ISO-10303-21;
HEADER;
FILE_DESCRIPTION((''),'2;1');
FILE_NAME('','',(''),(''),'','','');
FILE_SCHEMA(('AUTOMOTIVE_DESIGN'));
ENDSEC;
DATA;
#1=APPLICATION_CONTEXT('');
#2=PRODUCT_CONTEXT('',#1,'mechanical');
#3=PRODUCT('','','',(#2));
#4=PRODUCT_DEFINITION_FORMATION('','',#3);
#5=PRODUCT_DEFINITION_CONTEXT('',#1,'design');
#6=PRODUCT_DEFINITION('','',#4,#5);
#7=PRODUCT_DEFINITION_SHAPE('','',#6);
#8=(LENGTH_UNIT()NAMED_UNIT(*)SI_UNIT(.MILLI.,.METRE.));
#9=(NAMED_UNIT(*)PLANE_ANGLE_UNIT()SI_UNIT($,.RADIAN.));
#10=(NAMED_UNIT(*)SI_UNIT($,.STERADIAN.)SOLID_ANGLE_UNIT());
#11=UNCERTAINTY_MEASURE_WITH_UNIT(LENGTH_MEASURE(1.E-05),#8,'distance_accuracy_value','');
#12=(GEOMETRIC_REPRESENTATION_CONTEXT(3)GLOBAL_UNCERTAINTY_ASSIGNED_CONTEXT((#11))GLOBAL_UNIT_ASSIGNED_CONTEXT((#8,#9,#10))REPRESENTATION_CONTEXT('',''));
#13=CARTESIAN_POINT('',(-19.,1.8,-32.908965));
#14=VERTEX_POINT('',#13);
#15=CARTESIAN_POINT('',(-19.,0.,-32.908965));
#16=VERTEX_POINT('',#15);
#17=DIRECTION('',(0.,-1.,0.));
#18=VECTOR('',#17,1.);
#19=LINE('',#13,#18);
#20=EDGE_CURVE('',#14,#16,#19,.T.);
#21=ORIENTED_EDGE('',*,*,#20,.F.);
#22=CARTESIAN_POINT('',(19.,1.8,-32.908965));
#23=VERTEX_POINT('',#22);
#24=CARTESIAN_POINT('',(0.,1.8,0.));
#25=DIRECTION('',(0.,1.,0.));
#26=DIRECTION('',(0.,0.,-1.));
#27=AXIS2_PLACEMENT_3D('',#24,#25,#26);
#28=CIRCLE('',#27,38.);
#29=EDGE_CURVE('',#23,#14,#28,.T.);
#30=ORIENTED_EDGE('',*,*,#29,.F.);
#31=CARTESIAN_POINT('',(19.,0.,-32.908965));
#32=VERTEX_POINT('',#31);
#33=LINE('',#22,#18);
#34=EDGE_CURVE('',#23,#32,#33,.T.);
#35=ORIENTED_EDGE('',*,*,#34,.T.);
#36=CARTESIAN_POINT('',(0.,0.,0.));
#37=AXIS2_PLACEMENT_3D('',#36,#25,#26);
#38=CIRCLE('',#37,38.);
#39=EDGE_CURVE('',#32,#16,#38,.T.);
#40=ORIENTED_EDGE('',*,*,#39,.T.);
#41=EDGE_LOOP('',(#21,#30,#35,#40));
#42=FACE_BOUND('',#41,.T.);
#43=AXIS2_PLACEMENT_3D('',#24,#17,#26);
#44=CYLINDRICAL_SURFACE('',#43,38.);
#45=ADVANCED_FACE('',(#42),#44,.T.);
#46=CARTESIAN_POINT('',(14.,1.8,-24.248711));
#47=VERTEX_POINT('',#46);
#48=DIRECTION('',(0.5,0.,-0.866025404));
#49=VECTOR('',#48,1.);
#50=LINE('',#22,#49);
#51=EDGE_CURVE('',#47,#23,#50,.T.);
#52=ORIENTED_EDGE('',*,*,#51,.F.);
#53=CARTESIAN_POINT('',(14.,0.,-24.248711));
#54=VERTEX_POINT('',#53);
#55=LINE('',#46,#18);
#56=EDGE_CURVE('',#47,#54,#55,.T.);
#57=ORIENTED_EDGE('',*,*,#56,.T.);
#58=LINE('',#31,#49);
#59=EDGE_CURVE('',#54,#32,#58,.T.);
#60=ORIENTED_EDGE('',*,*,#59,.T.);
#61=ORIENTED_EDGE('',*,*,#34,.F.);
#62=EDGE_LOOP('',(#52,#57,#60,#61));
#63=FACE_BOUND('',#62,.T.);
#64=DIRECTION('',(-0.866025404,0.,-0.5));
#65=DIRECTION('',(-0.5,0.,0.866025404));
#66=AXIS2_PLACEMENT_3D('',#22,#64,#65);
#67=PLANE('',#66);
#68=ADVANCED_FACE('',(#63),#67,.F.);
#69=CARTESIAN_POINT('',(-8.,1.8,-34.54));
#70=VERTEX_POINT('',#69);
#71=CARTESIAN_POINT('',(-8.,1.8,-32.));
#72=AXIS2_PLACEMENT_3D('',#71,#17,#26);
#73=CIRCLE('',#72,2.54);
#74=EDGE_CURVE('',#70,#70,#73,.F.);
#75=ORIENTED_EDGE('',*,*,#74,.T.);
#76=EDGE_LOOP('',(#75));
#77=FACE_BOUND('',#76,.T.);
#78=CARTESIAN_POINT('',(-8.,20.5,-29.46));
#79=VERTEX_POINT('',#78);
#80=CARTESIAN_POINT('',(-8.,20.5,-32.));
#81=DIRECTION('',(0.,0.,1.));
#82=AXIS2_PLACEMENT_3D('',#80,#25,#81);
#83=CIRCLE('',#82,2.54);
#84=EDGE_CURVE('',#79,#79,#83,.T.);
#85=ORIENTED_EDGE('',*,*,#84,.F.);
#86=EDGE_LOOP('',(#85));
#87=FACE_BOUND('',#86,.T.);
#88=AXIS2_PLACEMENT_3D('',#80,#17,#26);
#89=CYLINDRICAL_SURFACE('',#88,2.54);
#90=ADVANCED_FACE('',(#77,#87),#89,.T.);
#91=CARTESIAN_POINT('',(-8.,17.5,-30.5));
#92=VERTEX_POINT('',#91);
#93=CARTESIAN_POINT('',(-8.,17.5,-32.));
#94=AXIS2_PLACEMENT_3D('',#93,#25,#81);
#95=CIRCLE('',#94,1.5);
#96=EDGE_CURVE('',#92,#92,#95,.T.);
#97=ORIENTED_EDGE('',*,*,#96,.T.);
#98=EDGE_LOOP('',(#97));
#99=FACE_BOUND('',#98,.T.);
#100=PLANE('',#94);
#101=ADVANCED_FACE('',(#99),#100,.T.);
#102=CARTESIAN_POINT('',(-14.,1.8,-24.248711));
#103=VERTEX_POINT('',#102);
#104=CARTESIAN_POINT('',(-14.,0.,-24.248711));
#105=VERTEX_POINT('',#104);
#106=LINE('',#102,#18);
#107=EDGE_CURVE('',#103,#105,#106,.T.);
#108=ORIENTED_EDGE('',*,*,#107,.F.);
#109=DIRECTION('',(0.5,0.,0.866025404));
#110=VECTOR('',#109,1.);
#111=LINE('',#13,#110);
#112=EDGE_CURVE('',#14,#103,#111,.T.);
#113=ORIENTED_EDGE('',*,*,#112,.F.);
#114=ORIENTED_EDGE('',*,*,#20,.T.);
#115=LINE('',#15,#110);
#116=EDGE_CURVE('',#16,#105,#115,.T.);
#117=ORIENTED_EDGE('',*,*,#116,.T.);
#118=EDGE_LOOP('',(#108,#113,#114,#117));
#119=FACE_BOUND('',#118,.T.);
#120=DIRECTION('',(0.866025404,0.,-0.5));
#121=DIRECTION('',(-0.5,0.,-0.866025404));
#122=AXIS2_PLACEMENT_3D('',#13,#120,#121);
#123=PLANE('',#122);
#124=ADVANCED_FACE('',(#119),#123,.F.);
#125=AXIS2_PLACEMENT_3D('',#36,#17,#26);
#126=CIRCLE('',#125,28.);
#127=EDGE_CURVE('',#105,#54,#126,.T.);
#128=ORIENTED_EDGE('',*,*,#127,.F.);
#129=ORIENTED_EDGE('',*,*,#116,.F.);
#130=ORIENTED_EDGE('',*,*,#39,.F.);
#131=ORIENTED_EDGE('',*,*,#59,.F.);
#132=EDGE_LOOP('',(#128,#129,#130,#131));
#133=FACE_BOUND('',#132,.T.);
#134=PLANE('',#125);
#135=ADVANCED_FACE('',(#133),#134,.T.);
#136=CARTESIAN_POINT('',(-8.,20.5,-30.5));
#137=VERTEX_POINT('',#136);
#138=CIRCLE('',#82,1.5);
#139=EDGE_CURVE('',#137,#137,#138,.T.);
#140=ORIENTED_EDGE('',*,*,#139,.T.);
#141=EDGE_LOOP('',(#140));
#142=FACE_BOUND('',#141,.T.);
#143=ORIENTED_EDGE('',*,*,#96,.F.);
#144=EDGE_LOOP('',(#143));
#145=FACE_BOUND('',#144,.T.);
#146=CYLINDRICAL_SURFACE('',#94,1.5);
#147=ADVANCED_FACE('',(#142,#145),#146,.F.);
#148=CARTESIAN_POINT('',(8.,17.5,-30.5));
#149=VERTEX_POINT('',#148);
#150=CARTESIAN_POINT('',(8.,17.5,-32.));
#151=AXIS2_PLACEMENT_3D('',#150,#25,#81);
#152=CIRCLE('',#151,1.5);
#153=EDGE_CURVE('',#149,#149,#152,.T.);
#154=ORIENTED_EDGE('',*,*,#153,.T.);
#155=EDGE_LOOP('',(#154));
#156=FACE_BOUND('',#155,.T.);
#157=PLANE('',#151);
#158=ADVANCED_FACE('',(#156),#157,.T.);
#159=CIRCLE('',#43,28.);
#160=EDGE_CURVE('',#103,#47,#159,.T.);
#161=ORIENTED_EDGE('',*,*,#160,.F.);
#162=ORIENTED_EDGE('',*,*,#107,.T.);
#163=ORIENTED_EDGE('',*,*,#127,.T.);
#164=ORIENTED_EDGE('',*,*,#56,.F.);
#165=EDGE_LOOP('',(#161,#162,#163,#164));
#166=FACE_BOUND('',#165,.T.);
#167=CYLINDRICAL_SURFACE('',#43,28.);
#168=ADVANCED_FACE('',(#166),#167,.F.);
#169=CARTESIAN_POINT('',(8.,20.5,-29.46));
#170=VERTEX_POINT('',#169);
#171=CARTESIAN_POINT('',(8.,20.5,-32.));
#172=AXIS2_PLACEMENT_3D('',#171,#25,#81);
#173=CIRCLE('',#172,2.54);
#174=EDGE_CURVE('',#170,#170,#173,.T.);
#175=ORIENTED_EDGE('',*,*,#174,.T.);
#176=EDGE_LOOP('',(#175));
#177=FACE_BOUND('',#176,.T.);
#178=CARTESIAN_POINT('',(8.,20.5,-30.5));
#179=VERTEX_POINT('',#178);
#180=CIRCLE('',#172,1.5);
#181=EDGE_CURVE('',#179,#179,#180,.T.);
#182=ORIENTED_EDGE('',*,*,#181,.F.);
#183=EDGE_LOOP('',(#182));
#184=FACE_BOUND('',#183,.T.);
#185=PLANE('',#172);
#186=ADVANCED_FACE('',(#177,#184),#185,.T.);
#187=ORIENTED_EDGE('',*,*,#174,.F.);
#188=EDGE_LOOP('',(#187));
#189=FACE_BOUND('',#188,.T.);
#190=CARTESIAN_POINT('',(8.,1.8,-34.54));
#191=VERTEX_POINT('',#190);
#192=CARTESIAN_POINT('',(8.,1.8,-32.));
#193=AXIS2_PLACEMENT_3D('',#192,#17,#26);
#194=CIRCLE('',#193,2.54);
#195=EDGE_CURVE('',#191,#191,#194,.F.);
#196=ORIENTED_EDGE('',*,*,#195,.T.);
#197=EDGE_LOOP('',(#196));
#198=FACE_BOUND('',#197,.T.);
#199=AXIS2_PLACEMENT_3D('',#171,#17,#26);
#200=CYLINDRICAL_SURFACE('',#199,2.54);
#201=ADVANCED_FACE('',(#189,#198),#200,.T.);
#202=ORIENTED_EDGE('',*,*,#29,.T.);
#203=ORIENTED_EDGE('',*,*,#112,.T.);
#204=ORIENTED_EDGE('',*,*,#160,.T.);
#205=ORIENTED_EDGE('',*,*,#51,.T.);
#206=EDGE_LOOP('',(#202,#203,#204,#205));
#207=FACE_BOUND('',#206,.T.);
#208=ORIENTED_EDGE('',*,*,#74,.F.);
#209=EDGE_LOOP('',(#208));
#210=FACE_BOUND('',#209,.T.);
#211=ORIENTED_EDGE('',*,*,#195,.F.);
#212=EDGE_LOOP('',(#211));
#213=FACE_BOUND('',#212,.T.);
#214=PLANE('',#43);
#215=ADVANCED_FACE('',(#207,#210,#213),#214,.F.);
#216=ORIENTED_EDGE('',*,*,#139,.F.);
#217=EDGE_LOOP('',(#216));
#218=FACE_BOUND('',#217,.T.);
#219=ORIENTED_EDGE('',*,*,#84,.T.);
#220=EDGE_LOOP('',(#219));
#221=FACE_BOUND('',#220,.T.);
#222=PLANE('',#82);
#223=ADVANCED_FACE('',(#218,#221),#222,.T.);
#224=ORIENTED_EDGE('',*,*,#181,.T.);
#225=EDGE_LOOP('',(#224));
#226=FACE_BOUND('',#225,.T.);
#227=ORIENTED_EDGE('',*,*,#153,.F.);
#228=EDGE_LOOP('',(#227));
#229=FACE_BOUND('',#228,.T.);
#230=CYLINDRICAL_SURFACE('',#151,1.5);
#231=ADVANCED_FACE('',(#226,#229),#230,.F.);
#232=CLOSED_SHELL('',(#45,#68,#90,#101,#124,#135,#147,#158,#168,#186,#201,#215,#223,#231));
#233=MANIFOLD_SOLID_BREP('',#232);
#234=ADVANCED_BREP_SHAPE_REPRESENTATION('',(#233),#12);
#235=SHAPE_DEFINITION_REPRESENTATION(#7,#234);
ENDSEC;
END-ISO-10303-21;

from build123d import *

# Parameters (mm, degrees)
BOSS_EXTRUDE1_DEPTH = 1.8
SKETCH2_R           = 2.54
BOSS_EXTRUDE2_DEPTH = 18.7
SKETCH5_R           = 1.5
CUT_EXTRUDE1_DEPTH  = 3


with BuildPart() as part:
    # Sketch1 → Boss-Extrude1 (new body)
    with BuildSketch(Plane(origin=(0, 0, 0), x_dir=(1, 0, 0), z_dir=(0, 1, 0))):
        with BuildLine():
            Line((-19, 32.908965344), (-14, 24.248711306))
            ThreePointArc((-14, 24.248711306), (0, 28), (14, 24.248711306))
            Line((14, 24.248711306), (19, 32.908965344))
            ThreePointArc((19, 32.908965344), (0, 38), (-19, 32.908965344))
        make_face()
    extrude(amount=BOSS_EXTRUDE1_DEPTH)

    # Sketch2 → Boss-Extrude2 (add)
    with BuildSketch(Plane(origin=(0, 1.8, 0), x_dir=(1, 0, 0), z_dir=(0, 1, 0))):
        with Locations(Location((-8, 32, 0), (0, 0, 90))):
            Circle(SKETCH2_R)
        with Locations(Location((8, 32, 0), (0, 0, 90))):
            Circle(SKETCH2_R)
    extrude(amount=BOSS_EXTRUDE2_DEPTH)

    # Sketch5 → Cut-Extrude1 (cut)
    with BuildSketch(Plane(origin=(0, 20.5, 0), x_dir=(1, 0, 0), z_dir=(0, 1, 0))):
        with Locations(Location((-8, 32, 0), (0, 0, 270))):
            Circle(SKETCH5_R)
        with Locations(Location((8, 32, 0), (0, 0, 270))):
            Circle(SKETCH5_R)
    extrude(amount=-CUT_EXTRUDE1_DEPTH, mode=Mode.SUBTRACT)


solid = part.part
